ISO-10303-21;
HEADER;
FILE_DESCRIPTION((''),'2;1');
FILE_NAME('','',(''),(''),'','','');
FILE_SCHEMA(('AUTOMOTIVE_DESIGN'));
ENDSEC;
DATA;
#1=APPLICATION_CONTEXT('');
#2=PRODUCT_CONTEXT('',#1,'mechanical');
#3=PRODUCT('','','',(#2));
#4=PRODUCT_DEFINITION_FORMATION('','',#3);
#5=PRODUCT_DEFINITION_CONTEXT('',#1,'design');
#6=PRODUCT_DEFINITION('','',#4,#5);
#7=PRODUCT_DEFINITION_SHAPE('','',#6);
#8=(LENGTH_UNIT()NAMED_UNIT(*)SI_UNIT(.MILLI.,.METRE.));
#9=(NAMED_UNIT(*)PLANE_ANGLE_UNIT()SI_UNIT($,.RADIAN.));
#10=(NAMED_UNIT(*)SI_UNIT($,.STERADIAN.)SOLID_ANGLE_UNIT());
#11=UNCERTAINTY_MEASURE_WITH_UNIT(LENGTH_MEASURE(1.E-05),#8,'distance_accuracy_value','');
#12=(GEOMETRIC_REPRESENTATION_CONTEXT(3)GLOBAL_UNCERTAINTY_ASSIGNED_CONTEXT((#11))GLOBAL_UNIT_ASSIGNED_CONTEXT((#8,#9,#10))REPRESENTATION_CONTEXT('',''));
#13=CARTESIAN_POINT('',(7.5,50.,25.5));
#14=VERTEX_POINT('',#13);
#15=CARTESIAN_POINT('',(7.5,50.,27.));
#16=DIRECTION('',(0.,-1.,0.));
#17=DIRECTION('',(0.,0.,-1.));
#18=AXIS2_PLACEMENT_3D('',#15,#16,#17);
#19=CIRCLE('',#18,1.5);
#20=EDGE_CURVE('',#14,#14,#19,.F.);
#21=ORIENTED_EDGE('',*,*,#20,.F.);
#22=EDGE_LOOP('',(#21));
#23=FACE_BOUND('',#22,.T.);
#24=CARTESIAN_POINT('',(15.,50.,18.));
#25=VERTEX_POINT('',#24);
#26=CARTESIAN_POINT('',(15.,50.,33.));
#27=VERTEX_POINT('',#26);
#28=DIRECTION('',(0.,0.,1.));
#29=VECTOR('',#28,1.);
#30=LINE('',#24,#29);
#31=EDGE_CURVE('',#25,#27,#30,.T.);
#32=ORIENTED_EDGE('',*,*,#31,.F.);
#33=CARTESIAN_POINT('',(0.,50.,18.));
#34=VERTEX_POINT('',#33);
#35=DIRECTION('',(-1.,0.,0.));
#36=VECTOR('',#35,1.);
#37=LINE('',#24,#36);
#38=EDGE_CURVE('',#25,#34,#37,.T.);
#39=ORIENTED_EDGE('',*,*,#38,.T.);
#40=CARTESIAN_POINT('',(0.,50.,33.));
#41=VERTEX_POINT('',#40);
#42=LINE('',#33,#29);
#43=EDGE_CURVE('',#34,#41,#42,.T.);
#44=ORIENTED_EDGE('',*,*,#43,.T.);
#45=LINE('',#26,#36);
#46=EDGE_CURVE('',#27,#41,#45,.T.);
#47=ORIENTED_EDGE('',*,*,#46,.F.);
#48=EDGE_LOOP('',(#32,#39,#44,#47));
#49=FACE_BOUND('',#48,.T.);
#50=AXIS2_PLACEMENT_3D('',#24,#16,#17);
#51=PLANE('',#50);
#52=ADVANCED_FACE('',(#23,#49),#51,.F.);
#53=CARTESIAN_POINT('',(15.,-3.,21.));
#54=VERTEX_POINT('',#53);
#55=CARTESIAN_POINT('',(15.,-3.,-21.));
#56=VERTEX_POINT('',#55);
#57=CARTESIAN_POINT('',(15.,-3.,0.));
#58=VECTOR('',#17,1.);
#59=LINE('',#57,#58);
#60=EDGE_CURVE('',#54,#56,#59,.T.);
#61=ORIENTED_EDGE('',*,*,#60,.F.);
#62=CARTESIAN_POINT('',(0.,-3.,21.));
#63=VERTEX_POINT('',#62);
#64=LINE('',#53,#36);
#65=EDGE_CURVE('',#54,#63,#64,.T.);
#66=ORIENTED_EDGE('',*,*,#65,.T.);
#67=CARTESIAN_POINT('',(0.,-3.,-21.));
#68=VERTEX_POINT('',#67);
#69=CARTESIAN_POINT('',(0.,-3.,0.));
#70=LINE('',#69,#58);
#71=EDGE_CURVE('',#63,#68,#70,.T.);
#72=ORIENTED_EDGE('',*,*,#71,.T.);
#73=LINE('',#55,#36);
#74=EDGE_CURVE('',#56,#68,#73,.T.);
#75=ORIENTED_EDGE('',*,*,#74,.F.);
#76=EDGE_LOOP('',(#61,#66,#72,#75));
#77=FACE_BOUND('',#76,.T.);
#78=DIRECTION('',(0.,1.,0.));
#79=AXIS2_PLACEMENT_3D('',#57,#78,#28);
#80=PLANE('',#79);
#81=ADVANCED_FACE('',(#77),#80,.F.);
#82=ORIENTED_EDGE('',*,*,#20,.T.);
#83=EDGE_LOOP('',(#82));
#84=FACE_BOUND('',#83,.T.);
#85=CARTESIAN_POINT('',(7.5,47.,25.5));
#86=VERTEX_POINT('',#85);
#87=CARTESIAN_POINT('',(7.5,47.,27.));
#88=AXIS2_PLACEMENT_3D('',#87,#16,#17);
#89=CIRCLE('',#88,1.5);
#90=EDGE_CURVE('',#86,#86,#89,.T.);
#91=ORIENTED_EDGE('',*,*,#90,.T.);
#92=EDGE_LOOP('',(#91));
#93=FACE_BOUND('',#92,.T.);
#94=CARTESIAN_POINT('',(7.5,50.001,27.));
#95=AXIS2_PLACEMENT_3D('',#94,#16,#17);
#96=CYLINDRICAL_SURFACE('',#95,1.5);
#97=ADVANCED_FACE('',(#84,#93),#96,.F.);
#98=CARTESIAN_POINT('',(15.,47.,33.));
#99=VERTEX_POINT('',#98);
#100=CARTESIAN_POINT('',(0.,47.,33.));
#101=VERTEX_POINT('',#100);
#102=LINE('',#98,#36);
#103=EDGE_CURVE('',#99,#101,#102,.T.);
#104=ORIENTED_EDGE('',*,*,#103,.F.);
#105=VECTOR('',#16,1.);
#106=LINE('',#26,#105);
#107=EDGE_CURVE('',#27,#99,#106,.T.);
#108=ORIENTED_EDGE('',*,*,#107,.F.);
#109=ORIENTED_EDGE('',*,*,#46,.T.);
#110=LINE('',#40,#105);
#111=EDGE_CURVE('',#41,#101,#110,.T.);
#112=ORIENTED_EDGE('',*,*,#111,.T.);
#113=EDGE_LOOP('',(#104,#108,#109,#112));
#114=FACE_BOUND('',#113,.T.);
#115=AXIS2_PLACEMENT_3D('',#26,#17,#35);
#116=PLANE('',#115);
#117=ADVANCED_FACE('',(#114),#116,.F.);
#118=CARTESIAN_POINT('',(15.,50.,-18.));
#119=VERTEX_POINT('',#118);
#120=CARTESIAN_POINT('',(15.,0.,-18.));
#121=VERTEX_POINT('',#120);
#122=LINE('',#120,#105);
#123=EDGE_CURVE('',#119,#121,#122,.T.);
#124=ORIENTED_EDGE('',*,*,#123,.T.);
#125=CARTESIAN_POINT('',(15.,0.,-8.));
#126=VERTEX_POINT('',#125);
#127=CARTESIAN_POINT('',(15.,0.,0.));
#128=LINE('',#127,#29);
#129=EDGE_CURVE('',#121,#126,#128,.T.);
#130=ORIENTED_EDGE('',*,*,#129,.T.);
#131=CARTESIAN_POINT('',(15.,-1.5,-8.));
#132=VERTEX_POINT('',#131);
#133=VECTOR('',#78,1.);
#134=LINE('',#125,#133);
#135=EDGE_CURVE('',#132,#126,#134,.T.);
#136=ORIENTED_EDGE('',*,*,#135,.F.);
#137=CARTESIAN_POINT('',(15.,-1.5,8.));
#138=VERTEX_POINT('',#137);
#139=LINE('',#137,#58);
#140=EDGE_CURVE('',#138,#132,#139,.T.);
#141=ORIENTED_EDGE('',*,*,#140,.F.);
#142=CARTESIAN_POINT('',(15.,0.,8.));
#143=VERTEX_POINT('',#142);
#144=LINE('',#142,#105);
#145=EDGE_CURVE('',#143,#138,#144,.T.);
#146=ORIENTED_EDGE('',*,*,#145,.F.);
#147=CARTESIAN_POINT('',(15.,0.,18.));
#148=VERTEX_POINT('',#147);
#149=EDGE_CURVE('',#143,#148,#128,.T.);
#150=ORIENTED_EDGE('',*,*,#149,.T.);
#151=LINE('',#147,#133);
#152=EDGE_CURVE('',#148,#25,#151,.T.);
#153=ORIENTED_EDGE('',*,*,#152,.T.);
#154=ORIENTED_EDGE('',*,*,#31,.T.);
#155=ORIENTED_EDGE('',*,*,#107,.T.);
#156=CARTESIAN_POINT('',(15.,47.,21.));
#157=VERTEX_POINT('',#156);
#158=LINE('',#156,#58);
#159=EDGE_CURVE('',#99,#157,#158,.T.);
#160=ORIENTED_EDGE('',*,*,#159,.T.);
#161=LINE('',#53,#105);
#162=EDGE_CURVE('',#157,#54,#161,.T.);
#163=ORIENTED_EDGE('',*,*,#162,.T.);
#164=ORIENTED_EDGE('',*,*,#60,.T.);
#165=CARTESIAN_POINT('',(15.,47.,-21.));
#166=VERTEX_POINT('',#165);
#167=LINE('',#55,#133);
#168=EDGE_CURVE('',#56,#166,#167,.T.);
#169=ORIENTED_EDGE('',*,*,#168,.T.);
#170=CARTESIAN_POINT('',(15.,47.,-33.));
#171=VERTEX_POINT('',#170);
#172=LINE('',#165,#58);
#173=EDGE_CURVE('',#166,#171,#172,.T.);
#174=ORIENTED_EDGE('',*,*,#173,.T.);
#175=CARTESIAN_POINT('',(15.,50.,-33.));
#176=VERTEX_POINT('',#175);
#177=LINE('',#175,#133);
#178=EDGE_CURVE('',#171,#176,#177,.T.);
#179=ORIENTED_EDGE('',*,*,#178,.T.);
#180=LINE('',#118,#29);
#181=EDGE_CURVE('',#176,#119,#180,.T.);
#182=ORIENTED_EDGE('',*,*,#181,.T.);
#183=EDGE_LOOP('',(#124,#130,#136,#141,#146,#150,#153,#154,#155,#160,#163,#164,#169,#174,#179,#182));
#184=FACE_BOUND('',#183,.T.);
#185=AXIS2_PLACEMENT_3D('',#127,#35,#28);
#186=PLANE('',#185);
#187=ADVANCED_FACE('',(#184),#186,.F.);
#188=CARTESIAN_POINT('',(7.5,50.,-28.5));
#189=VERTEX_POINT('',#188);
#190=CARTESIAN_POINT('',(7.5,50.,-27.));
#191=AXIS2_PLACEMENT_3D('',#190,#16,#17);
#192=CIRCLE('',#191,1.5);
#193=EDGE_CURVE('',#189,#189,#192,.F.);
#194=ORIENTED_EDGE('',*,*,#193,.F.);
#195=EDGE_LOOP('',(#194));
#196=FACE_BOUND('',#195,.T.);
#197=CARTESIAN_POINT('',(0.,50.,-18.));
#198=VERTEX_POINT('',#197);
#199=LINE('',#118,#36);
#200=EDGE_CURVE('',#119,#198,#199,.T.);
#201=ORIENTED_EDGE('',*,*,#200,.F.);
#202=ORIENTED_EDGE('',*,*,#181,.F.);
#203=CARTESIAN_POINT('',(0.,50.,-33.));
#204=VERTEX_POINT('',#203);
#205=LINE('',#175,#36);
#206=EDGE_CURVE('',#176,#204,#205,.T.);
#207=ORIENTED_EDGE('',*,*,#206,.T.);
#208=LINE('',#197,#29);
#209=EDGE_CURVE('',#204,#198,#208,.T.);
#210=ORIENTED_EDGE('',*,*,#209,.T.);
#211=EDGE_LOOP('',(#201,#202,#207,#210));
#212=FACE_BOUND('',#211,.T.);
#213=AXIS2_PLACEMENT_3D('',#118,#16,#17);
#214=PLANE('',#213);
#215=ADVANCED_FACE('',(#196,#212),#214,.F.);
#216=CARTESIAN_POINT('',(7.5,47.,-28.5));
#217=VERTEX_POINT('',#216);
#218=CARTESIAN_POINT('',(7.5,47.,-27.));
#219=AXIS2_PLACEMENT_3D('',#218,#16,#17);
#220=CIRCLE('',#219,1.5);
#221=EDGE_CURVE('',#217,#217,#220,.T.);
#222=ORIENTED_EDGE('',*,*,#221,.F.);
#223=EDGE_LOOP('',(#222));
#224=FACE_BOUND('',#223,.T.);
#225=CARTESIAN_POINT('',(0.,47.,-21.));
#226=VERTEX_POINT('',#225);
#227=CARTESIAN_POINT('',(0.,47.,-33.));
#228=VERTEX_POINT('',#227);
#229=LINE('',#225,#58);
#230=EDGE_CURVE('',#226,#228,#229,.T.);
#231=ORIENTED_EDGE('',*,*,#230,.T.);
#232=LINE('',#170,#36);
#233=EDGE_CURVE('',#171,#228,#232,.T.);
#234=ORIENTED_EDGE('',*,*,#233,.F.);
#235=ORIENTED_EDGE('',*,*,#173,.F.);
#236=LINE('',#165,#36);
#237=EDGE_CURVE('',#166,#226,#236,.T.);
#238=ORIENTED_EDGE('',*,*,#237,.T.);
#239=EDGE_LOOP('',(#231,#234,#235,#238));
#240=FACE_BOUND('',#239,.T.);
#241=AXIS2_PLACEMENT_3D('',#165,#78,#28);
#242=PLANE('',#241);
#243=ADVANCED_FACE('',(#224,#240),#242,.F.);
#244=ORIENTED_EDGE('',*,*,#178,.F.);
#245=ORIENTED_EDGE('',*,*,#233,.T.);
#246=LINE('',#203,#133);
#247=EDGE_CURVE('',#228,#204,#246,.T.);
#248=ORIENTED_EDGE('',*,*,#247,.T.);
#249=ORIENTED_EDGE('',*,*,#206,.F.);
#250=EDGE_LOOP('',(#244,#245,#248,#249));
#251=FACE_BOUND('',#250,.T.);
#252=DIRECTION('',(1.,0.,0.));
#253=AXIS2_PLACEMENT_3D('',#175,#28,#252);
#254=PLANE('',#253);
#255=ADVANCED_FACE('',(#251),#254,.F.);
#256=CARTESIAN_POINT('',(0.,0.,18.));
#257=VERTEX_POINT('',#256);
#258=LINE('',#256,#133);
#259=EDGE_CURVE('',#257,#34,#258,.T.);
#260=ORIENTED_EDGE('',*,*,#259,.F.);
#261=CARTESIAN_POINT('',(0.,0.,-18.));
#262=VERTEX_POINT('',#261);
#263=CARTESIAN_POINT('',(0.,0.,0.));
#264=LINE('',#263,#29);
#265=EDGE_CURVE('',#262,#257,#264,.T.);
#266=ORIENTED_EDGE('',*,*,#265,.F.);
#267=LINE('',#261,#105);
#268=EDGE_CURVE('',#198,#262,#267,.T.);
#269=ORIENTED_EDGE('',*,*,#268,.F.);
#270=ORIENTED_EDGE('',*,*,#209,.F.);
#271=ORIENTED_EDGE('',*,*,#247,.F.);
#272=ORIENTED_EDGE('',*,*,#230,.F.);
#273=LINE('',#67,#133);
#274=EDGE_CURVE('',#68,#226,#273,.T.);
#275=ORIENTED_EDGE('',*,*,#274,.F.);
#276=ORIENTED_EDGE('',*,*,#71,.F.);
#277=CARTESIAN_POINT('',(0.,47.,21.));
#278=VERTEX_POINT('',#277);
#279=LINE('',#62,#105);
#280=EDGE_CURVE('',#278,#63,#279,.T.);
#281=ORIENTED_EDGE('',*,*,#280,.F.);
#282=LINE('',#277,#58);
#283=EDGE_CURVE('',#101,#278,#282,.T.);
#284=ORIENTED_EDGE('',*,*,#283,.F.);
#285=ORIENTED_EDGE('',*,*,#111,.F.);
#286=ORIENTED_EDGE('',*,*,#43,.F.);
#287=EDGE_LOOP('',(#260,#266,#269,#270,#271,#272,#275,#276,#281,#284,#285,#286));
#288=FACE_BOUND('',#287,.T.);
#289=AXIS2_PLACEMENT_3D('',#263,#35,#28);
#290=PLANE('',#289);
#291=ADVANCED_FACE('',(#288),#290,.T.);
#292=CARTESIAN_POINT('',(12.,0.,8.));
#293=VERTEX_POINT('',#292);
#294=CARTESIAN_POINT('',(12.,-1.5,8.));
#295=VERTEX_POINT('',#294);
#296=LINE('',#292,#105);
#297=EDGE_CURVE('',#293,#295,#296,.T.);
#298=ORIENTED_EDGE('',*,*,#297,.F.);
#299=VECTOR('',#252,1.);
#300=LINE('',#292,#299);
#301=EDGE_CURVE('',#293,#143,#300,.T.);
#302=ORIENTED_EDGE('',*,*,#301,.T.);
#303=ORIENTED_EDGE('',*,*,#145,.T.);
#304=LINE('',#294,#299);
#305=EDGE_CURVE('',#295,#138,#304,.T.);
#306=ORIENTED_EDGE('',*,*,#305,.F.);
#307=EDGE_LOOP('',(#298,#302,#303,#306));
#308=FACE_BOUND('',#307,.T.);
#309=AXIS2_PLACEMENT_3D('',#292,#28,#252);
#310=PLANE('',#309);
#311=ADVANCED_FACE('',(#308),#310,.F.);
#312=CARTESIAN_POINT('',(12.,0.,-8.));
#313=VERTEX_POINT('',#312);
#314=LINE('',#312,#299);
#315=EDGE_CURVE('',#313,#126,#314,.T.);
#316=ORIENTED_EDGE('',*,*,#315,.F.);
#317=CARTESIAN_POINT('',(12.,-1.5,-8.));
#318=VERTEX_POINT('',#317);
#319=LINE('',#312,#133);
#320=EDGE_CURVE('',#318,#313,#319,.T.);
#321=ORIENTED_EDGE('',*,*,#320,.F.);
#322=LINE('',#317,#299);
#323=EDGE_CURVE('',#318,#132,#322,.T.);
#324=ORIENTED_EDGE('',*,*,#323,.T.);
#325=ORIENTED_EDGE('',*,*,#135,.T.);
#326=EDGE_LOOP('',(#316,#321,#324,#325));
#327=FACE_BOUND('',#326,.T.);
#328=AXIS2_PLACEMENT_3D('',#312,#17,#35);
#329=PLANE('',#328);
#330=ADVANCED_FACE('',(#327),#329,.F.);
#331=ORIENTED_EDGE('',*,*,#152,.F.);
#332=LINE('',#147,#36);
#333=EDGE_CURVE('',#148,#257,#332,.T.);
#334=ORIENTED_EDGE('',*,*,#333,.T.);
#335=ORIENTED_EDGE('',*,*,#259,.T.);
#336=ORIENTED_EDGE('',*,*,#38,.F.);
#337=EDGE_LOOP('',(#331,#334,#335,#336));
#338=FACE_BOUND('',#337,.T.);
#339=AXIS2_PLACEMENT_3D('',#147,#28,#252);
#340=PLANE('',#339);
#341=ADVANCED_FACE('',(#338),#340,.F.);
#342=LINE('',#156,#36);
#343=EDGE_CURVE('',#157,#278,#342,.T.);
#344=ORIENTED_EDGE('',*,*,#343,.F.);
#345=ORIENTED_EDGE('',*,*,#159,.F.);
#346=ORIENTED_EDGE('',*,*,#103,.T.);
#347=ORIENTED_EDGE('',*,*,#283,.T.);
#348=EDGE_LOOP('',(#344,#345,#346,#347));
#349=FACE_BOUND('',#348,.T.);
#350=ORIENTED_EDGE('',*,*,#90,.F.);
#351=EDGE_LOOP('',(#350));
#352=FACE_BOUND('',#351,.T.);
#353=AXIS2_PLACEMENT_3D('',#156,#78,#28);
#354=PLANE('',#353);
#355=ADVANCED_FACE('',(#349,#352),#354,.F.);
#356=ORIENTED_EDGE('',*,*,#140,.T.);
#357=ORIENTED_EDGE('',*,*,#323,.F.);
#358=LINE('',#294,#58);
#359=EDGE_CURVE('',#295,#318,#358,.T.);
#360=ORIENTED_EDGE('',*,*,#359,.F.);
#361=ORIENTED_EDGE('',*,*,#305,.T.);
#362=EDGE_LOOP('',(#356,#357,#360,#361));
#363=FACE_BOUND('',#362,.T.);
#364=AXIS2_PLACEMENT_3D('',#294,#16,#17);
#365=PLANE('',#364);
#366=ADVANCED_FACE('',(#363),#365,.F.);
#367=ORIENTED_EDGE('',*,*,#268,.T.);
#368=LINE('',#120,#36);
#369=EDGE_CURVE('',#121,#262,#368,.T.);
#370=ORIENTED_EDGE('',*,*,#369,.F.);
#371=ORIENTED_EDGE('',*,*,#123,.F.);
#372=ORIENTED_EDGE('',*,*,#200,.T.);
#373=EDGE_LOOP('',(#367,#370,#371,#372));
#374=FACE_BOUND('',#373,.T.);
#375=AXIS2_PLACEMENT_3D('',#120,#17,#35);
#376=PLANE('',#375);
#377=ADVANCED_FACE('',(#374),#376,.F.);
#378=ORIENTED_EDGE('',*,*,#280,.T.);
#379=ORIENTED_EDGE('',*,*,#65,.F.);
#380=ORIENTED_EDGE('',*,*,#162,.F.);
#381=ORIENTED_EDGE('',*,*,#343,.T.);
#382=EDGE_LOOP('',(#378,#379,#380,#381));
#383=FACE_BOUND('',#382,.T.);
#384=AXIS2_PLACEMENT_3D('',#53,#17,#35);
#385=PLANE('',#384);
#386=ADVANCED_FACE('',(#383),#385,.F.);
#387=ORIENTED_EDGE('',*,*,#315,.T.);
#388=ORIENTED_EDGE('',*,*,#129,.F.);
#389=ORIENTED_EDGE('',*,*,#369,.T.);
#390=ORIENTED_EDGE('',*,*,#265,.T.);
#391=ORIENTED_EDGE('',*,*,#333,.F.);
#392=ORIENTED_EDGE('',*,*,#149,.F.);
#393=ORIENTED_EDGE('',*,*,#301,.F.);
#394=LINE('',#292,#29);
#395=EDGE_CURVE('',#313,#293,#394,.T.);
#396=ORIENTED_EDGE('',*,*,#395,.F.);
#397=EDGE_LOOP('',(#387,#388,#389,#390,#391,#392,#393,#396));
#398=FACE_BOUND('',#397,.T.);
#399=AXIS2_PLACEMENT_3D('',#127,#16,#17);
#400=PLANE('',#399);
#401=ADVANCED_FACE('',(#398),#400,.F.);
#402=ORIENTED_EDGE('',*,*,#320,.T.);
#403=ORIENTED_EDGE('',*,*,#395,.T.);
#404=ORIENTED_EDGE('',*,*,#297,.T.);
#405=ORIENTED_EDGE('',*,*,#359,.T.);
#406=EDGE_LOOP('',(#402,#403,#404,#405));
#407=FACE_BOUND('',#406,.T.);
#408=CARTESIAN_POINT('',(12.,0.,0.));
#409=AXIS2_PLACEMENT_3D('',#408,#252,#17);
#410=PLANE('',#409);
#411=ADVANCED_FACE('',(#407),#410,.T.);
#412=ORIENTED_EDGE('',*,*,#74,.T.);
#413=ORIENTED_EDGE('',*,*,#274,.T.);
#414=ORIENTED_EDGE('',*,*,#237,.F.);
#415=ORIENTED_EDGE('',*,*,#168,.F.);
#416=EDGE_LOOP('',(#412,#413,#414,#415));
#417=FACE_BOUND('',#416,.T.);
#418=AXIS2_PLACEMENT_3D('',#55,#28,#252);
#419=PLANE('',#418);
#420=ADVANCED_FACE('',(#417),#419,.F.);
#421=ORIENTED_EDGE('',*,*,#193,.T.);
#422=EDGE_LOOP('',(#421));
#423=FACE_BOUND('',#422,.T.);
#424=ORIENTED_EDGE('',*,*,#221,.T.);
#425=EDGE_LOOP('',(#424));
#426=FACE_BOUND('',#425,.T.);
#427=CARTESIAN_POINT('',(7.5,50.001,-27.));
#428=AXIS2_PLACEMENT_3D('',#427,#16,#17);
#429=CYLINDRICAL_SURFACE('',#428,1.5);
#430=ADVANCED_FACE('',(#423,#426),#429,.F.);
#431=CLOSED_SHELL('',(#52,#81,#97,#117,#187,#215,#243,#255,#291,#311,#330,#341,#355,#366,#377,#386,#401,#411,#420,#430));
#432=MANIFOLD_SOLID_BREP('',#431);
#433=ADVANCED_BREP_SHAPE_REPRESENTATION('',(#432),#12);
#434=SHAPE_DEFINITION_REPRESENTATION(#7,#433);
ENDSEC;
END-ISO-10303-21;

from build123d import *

# Parameters (mm, degrees)
EXTRUDE_1_DEPTH     = 15
CUT_EXTRUDE_1_REACH = 63.758
SKETCH_2_R          = 1.5
SKETCH_3_W          = 16
SKETCH_3_H          = 1.5
CUT_EXTRUDE_2_DEPTH = 3


with BuildPart() as part:
    # 草图1 → 凸台-拉伸1 (new body)
    with BuildSketch(Plane(origin=(0, 0, 0), x_dir=(0, 0, -1), z_dir=(1, 0, 0))):
        Polygon((0, 0), (18, 0), (18, 50), (33, 50), (33, 47), (21, 47), (21, -3), (0, -3), (-21, -3), (-21, 47), (-33, 47), (-33, 50), (-18, 50), (-18, 0), align=None)
    extrude(amount=EXTRUDE_1_DEPTH)

    # 草图2 → 切除-拉伸1 (cut, up to next)
    with BuildSketch(Plane.XZ.offset(-47), mode=Mode.PRIVATE) as cut_extrude_1_sk1:
        with Locations(Location((7.5, -27, 0), (0, 0, 270))):
            Circle(SKETCH_2_R)
    cut_extrude_1_tool1 = extrude(cut_extrude_1_sk1.sketch, amount=-CUT_EXTRUDE_1_REACH, mode=Mode.PRIVATE) & part.part
    # 草图2 → 切除-拉伸1 (cut, up to next)
    with BuildSketch(Plane.XZ.offset(-47), mode=Mode.PRIVATE) as cut_extrude_1_sk2:
        with Locations(Location((7.5, 27, 0), (0, 0, 270))):
            Circle(SKETCH_2_R)
    cut_extrude_1_tool2 = extrude(cut_extrude_1_sk2.sketch, amount=-CUT_EXTRUDE_1_REACH, mode=Mode.PRIVATE) & part.part
    add(cut_extrude_1_tool1.solids().sort_by_distance((7.5, 47, -27))[0], mode=Mode.SUBTRACT)
    add(cut_extrude_1_tool2.solids().sort_by_distance((7.5, 47, 27))[0], mode=Mode.SUBTRACT)

    # 草图3 → 切除-拉伸2 (cut)
    with BuildSketch(Plane(origin=(15, 0, 0), x_dir=(0, 0, -1), z_dir=(1, 0, 0))):
        with Locations((0, -0.75)):
            Rectangle(SKETCH_3_W, SKETCH_3_H)
    extrude(amount=-CUT_EXTRUDE_2_DEPTH, mode=Mode.SUBTRACT)


solid = part.part
